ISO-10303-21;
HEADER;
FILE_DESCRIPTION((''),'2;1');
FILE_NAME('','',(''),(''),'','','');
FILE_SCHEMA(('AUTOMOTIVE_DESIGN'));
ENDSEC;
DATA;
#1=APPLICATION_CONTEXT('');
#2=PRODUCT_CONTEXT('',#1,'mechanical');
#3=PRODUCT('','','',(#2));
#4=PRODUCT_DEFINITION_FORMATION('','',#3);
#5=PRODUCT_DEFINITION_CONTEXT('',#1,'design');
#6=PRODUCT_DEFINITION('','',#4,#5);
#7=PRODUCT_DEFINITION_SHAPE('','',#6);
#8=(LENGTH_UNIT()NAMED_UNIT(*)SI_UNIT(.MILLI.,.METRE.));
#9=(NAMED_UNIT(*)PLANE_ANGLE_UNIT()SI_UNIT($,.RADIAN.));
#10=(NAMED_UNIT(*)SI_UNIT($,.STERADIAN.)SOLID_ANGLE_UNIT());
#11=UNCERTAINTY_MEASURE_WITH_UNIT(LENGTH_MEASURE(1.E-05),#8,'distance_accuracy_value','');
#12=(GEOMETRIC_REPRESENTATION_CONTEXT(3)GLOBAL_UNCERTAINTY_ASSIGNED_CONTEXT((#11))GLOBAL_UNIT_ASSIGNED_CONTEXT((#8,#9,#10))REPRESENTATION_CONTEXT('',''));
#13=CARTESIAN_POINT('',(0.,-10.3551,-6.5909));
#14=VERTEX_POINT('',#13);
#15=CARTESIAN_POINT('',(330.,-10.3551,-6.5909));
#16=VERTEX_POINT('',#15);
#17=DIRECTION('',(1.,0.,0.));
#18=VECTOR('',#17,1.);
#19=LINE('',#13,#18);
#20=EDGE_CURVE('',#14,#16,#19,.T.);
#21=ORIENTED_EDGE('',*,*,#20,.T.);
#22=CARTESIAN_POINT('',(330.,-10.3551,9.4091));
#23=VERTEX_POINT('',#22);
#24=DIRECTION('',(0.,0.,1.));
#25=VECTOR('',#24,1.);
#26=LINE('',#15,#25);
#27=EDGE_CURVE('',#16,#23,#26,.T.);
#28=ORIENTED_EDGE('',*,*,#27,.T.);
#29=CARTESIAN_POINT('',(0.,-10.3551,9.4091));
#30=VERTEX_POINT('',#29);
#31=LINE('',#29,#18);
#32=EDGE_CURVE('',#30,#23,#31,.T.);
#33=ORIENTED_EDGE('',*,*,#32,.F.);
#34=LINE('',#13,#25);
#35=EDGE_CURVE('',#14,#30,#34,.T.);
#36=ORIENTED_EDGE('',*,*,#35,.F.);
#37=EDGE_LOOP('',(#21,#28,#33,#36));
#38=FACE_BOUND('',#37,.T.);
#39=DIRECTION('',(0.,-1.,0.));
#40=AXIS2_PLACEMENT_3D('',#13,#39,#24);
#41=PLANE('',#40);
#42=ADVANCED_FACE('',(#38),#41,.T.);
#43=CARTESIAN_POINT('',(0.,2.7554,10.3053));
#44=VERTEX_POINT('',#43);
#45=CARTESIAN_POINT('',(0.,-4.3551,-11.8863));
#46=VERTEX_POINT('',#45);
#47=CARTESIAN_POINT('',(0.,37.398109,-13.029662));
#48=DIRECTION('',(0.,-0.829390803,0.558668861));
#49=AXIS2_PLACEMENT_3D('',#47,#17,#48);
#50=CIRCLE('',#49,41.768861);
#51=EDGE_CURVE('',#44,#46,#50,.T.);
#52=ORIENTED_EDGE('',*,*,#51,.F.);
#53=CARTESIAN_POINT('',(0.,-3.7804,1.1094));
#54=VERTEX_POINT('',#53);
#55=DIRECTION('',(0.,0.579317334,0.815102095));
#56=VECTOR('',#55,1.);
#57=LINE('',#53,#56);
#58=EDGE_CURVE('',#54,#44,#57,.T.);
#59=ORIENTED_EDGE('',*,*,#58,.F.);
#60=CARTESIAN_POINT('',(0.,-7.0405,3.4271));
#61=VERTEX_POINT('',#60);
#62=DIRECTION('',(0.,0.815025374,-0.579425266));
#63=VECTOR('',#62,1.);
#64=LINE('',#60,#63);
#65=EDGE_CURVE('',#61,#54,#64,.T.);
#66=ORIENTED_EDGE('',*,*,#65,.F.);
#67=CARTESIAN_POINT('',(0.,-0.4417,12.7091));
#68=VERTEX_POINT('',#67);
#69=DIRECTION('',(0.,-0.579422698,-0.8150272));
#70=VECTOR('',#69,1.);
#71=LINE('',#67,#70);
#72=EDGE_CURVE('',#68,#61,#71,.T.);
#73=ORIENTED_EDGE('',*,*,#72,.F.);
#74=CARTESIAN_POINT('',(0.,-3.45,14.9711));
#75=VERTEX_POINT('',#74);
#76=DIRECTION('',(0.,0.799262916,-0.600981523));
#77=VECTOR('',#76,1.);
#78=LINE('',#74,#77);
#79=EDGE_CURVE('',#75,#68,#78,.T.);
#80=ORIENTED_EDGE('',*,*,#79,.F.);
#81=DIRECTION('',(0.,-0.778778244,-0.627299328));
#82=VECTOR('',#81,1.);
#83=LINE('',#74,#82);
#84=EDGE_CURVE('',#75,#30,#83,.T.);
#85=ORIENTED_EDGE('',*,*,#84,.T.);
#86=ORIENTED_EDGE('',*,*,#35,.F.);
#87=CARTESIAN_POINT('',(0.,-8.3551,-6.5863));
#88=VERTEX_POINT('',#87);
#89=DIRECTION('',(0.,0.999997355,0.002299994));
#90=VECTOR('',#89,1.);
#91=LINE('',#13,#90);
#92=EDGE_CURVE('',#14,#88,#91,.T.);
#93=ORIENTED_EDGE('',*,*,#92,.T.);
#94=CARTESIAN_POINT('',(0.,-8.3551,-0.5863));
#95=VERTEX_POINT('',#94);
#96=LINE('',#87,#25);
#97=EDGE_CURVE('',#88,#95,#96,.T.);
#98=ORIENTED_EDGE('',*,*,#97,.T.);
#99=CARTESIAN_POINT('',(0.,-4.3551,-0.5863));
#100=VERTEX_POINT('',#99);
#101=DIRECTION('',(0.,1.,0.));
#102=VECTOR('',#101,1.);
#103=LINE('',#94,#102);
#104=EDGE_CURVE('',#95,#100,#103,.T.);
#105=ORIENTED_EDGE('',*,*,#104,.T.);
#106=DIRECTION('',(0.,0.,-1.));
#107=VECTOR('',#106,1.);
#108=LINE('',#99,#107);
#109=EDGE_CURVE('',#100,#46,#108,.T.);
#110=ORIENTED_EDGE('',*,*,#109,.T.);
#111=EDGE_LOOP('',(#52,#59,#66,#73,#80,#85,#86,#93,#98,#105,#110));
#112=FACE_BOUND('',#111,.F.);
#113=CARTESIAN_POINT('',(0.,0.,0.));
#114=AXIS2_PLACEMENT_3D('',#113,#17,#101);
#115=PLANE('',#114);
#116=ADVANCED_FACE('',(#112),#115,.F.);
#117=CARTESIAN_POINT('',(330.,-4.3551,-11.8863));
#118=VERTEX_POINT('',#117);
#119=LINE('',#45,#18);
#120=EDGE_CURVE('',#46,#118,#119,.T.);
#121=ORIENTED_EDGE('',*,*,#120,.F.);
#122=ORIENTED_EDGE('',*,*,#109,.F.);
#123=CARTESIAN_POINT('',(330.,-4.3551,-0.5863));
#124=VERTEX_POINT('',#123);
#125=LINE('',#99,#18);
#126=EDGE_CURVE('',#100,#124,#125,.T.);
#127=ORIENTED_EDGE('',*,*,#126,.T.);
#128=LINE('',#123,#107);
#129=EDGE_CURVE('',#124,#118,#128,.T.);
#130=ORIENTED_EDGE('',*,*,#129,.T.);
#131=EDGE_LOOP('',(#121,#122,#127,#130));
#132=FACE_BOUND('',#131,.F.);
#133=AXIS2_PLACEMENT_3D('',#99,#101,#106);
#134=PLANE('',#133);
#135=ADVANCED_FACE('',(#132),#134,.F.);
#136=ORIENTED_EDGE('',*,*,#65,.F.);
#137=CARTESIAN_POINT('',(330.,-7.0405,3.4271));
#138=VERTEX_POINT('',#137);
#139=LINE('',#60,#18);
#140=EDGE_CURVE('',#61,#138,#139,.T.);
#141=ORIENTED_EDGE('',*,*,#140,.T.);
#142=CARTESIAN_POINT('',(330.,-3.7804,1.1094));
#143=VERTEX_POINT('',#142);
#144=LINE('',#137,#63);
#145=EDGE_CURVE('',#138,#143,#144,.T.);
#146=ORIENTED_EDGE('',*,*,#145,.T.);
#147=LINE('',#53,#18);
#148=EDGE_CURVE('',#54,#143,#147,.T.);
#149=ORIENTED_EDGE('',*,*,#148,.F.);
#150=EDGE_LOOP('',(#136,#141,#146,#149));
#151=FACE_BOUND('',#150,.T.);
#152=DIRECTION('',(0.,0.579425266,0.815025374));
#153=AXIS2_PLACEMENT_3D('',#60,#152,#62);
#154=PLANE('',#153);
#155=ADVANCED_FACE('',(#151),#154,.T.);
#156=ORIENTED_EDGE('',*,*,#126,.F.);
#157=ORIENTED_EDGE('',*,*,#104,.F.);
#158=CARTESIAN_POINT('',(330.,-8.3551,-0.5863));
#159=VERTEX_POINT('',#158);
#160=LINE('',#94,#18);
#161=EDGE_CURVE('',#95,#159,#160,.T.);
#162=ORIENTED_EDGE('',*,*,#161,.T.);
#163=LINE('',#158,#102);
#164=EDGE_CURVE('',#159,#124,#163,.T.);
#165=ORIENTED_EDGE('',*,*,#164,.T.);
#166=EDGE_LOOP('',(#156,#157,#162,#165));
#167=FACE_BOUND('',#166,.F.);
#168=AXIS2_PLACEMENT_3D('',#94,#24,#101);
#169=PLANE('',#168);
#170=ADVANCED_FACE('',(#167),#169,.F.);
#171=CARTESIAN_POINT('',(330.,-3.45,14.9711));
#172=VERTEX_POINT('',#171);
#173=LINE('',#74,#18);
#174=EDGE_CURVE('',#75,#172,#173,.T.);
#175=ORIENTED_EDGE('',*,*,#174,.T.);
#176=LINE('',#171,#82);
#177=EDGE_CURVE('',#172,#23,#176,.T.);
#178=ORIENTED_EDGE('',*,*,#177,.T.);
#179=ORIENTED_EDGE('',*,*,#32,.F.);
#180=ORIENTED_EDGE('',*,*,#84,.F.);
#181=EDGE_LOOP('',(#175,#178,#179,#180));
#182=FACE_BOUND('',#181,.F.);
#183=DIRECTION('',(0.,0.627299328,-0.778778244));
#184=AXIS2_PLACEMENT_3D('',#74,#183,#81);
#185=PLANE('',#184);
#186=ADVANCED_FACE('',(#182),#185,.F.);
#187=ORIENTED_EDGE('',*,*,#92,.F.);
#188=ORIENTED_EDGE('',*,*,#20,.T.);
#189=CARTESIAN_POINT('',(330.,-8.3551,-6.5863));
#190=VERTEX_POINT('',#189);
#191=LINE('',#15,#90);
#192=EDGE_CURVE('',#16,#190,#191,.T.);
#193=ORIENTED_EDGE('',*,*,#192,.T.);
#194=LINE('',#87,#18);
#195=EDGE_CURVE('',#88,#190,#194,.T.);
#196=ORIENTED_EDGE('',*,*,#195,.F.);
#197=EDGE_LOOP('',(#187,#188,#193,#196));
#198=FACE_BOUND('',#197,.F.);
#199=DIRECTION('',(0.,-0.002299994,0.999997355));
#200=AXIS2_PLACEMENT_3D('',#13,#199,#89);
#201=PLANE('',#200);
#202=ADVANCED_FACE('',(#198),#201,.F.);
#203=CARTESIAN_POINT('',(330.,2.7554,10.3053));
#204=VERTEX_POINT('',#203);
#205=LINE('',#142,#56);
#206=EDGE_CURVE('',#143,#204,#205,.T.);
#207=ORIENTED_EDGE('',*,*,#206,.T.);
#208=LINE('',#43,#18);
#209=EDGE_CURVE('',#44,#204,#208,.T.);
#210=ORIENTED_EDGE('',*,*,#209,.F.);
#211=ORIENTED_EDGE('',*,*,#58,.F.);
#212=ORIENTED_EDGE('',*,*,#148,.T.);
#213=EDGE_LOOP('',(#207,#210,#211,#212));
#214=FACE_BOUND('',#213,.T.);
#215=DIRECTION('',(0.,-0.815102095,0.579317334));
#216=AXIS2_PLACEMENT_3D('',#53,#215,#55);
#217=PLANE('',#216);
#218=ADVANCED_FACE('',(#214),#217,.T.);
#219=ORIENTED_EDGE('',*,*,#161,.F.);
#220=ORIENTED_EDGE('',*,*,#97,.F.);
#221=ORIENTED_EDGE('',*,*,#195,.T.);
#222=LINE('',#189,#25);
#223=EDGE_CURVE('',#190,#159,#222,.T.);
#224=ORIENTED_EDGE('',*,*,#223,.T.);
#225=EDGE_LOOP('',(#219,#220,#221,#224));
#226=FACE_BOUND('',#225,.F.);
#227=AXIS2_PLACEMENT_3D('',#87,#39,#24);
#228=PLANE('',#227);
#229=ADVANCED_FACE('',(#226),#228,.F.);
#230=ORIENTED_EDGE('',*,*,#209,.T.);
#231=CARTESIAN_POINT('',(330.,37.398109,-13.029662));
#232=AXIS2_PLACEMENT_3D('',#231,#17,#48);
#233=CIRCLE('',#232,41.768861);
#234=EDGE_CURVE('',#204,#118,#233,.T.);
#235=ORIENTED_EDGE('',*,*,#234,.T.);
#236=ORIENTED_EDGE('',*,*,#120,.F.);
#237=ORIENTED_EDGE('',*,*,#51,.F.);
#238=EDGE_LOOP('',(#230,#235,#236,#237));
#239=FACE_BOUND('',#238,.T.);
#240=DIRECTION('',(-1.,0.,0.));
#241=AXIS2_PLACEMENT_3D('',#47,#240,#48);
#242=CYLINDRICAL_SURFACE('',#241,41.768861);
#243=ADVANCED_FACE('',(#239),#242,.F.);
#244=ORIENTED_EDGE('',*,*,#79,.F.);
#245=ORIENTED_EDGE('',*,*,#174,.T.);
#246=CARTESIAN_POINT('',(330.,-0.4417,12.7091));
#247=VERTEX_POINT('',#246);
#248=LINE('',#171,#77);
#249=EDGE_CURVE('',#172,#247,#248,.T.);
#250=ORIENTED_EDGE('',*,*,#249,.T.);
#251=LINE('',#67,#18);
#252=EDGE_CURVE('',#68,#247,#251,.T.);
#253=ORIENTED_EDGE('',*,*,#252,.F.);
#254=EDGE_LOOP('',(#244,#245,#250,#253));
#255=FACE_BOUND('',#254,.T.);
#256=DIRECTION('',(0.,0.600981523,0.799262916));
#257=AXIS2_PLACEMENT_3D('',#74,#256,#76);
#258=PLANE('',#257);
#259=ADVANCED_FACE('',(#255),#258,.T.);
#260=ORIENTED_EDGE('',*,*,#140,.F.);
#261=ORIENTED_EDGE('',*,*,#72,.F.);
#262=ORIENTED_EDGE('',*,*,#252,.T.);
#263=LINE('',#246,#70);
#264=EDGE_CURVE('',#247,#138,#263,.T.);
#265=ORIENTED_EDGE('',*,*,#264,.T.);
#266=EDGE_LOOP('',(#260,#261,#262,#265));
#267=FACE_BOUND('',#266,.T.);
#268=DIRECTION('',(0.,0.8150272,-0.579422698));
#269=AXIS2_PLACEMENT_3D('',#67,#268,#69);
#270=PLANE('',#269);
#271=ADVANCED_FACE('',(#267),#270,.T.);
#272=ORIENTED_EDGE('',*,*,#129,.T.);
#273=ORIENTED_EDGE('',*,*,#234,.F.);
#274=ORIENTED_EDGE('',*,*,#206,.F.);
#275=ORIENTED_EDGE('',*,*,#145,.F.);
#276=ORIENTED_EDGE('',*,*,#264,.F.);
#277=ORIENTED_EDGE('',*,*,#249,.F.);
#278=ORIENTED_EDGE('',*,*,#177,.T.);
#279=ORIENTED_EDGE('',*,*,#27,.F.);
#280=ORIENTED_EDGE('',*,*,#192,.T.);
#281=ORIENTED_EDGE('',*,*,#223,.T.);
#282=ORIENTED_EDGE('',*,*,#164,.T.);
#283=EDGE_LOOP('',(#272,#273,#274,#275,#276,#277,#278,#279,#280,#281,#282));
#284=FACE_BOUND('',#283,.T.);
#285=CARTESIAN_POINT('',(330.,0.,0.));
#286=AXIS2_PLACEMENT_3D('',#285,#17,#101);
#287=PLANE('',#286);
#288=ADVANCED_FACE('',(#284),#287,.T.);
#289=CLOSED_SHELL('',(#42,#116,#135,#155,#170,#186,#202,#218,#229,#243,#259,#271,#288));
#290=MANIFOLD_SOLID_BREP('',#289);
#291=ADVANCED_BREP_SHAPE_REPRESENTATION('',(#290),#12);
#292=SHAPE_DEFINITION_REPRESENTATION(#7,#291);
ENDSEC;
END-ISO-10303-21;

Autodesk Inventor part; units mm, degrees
ref_plane "YZ Plane" through (0, 0, 0) normal (1, 0, 0) x (0, 1, 0)
ref_plane "XZ Plane" through (0, 0, 0) normal (0, 1, 0) x (-1, 0, 0)
ref_plane "XY Plane" through (0, 0, 0) normal (0, 0, 1) x (1, 0, 0)
sketch "Esboço1" plane through (0, 0, 0) normal (1, 0, 0) x (0, 1, 0)
  line L0 (-10.3551, -6.5909) -> (-10.3551, 9.4091)
  line L1 (-10.3551, -6.5909) -> (-8.3551, -6.5863)
  line L2 (-8.3551, -6.5863) -> (-8.3551, -0.5863)
  line L3 (-8.3551, -0.5863) -> (-4.3551, -0.5863)
  line L4 (-4.3551, -0.5863) -> (-4.3551, -11.8863)
  line L5 (-4.3551, -11.8863) -> (-4.3551, -11.8863)
  line L6 (-3.45, 14.9711) -> (-10.3551, 9.4091)
  line L7 (-0.4417, 12.7091) -> (-7.0405, 3.4271)
  line L8 (-7.0405, 3.4271) -> (-3.7804, 1.1094)
  line L9 (-3.45, 14.9711) -> (-0.4417, 12.7091)
  line L10 (-3.7804, 1.1094) -> (2.7554, 10.3053)
  arc A0 (2.7554, 10.3053) -> (-4.3551, -11.8863) centre (37.3986, -13.0299) ccw
  dimension "d8" = 16
  dimension "d13" = 2
  dimension "d14" = 6
  dimension "d15" = 4
  dimension "d16" = 0
  dimension "d17" = 4
  dimension "d18" = 11.3
  dimension "d19" = 6
  dimension "d25" = 4
  dimension "d27" = 4
extrude "Extrusão1" add sketch "Esboço1" along normal blind 330
properties part number "junta auto falante"
